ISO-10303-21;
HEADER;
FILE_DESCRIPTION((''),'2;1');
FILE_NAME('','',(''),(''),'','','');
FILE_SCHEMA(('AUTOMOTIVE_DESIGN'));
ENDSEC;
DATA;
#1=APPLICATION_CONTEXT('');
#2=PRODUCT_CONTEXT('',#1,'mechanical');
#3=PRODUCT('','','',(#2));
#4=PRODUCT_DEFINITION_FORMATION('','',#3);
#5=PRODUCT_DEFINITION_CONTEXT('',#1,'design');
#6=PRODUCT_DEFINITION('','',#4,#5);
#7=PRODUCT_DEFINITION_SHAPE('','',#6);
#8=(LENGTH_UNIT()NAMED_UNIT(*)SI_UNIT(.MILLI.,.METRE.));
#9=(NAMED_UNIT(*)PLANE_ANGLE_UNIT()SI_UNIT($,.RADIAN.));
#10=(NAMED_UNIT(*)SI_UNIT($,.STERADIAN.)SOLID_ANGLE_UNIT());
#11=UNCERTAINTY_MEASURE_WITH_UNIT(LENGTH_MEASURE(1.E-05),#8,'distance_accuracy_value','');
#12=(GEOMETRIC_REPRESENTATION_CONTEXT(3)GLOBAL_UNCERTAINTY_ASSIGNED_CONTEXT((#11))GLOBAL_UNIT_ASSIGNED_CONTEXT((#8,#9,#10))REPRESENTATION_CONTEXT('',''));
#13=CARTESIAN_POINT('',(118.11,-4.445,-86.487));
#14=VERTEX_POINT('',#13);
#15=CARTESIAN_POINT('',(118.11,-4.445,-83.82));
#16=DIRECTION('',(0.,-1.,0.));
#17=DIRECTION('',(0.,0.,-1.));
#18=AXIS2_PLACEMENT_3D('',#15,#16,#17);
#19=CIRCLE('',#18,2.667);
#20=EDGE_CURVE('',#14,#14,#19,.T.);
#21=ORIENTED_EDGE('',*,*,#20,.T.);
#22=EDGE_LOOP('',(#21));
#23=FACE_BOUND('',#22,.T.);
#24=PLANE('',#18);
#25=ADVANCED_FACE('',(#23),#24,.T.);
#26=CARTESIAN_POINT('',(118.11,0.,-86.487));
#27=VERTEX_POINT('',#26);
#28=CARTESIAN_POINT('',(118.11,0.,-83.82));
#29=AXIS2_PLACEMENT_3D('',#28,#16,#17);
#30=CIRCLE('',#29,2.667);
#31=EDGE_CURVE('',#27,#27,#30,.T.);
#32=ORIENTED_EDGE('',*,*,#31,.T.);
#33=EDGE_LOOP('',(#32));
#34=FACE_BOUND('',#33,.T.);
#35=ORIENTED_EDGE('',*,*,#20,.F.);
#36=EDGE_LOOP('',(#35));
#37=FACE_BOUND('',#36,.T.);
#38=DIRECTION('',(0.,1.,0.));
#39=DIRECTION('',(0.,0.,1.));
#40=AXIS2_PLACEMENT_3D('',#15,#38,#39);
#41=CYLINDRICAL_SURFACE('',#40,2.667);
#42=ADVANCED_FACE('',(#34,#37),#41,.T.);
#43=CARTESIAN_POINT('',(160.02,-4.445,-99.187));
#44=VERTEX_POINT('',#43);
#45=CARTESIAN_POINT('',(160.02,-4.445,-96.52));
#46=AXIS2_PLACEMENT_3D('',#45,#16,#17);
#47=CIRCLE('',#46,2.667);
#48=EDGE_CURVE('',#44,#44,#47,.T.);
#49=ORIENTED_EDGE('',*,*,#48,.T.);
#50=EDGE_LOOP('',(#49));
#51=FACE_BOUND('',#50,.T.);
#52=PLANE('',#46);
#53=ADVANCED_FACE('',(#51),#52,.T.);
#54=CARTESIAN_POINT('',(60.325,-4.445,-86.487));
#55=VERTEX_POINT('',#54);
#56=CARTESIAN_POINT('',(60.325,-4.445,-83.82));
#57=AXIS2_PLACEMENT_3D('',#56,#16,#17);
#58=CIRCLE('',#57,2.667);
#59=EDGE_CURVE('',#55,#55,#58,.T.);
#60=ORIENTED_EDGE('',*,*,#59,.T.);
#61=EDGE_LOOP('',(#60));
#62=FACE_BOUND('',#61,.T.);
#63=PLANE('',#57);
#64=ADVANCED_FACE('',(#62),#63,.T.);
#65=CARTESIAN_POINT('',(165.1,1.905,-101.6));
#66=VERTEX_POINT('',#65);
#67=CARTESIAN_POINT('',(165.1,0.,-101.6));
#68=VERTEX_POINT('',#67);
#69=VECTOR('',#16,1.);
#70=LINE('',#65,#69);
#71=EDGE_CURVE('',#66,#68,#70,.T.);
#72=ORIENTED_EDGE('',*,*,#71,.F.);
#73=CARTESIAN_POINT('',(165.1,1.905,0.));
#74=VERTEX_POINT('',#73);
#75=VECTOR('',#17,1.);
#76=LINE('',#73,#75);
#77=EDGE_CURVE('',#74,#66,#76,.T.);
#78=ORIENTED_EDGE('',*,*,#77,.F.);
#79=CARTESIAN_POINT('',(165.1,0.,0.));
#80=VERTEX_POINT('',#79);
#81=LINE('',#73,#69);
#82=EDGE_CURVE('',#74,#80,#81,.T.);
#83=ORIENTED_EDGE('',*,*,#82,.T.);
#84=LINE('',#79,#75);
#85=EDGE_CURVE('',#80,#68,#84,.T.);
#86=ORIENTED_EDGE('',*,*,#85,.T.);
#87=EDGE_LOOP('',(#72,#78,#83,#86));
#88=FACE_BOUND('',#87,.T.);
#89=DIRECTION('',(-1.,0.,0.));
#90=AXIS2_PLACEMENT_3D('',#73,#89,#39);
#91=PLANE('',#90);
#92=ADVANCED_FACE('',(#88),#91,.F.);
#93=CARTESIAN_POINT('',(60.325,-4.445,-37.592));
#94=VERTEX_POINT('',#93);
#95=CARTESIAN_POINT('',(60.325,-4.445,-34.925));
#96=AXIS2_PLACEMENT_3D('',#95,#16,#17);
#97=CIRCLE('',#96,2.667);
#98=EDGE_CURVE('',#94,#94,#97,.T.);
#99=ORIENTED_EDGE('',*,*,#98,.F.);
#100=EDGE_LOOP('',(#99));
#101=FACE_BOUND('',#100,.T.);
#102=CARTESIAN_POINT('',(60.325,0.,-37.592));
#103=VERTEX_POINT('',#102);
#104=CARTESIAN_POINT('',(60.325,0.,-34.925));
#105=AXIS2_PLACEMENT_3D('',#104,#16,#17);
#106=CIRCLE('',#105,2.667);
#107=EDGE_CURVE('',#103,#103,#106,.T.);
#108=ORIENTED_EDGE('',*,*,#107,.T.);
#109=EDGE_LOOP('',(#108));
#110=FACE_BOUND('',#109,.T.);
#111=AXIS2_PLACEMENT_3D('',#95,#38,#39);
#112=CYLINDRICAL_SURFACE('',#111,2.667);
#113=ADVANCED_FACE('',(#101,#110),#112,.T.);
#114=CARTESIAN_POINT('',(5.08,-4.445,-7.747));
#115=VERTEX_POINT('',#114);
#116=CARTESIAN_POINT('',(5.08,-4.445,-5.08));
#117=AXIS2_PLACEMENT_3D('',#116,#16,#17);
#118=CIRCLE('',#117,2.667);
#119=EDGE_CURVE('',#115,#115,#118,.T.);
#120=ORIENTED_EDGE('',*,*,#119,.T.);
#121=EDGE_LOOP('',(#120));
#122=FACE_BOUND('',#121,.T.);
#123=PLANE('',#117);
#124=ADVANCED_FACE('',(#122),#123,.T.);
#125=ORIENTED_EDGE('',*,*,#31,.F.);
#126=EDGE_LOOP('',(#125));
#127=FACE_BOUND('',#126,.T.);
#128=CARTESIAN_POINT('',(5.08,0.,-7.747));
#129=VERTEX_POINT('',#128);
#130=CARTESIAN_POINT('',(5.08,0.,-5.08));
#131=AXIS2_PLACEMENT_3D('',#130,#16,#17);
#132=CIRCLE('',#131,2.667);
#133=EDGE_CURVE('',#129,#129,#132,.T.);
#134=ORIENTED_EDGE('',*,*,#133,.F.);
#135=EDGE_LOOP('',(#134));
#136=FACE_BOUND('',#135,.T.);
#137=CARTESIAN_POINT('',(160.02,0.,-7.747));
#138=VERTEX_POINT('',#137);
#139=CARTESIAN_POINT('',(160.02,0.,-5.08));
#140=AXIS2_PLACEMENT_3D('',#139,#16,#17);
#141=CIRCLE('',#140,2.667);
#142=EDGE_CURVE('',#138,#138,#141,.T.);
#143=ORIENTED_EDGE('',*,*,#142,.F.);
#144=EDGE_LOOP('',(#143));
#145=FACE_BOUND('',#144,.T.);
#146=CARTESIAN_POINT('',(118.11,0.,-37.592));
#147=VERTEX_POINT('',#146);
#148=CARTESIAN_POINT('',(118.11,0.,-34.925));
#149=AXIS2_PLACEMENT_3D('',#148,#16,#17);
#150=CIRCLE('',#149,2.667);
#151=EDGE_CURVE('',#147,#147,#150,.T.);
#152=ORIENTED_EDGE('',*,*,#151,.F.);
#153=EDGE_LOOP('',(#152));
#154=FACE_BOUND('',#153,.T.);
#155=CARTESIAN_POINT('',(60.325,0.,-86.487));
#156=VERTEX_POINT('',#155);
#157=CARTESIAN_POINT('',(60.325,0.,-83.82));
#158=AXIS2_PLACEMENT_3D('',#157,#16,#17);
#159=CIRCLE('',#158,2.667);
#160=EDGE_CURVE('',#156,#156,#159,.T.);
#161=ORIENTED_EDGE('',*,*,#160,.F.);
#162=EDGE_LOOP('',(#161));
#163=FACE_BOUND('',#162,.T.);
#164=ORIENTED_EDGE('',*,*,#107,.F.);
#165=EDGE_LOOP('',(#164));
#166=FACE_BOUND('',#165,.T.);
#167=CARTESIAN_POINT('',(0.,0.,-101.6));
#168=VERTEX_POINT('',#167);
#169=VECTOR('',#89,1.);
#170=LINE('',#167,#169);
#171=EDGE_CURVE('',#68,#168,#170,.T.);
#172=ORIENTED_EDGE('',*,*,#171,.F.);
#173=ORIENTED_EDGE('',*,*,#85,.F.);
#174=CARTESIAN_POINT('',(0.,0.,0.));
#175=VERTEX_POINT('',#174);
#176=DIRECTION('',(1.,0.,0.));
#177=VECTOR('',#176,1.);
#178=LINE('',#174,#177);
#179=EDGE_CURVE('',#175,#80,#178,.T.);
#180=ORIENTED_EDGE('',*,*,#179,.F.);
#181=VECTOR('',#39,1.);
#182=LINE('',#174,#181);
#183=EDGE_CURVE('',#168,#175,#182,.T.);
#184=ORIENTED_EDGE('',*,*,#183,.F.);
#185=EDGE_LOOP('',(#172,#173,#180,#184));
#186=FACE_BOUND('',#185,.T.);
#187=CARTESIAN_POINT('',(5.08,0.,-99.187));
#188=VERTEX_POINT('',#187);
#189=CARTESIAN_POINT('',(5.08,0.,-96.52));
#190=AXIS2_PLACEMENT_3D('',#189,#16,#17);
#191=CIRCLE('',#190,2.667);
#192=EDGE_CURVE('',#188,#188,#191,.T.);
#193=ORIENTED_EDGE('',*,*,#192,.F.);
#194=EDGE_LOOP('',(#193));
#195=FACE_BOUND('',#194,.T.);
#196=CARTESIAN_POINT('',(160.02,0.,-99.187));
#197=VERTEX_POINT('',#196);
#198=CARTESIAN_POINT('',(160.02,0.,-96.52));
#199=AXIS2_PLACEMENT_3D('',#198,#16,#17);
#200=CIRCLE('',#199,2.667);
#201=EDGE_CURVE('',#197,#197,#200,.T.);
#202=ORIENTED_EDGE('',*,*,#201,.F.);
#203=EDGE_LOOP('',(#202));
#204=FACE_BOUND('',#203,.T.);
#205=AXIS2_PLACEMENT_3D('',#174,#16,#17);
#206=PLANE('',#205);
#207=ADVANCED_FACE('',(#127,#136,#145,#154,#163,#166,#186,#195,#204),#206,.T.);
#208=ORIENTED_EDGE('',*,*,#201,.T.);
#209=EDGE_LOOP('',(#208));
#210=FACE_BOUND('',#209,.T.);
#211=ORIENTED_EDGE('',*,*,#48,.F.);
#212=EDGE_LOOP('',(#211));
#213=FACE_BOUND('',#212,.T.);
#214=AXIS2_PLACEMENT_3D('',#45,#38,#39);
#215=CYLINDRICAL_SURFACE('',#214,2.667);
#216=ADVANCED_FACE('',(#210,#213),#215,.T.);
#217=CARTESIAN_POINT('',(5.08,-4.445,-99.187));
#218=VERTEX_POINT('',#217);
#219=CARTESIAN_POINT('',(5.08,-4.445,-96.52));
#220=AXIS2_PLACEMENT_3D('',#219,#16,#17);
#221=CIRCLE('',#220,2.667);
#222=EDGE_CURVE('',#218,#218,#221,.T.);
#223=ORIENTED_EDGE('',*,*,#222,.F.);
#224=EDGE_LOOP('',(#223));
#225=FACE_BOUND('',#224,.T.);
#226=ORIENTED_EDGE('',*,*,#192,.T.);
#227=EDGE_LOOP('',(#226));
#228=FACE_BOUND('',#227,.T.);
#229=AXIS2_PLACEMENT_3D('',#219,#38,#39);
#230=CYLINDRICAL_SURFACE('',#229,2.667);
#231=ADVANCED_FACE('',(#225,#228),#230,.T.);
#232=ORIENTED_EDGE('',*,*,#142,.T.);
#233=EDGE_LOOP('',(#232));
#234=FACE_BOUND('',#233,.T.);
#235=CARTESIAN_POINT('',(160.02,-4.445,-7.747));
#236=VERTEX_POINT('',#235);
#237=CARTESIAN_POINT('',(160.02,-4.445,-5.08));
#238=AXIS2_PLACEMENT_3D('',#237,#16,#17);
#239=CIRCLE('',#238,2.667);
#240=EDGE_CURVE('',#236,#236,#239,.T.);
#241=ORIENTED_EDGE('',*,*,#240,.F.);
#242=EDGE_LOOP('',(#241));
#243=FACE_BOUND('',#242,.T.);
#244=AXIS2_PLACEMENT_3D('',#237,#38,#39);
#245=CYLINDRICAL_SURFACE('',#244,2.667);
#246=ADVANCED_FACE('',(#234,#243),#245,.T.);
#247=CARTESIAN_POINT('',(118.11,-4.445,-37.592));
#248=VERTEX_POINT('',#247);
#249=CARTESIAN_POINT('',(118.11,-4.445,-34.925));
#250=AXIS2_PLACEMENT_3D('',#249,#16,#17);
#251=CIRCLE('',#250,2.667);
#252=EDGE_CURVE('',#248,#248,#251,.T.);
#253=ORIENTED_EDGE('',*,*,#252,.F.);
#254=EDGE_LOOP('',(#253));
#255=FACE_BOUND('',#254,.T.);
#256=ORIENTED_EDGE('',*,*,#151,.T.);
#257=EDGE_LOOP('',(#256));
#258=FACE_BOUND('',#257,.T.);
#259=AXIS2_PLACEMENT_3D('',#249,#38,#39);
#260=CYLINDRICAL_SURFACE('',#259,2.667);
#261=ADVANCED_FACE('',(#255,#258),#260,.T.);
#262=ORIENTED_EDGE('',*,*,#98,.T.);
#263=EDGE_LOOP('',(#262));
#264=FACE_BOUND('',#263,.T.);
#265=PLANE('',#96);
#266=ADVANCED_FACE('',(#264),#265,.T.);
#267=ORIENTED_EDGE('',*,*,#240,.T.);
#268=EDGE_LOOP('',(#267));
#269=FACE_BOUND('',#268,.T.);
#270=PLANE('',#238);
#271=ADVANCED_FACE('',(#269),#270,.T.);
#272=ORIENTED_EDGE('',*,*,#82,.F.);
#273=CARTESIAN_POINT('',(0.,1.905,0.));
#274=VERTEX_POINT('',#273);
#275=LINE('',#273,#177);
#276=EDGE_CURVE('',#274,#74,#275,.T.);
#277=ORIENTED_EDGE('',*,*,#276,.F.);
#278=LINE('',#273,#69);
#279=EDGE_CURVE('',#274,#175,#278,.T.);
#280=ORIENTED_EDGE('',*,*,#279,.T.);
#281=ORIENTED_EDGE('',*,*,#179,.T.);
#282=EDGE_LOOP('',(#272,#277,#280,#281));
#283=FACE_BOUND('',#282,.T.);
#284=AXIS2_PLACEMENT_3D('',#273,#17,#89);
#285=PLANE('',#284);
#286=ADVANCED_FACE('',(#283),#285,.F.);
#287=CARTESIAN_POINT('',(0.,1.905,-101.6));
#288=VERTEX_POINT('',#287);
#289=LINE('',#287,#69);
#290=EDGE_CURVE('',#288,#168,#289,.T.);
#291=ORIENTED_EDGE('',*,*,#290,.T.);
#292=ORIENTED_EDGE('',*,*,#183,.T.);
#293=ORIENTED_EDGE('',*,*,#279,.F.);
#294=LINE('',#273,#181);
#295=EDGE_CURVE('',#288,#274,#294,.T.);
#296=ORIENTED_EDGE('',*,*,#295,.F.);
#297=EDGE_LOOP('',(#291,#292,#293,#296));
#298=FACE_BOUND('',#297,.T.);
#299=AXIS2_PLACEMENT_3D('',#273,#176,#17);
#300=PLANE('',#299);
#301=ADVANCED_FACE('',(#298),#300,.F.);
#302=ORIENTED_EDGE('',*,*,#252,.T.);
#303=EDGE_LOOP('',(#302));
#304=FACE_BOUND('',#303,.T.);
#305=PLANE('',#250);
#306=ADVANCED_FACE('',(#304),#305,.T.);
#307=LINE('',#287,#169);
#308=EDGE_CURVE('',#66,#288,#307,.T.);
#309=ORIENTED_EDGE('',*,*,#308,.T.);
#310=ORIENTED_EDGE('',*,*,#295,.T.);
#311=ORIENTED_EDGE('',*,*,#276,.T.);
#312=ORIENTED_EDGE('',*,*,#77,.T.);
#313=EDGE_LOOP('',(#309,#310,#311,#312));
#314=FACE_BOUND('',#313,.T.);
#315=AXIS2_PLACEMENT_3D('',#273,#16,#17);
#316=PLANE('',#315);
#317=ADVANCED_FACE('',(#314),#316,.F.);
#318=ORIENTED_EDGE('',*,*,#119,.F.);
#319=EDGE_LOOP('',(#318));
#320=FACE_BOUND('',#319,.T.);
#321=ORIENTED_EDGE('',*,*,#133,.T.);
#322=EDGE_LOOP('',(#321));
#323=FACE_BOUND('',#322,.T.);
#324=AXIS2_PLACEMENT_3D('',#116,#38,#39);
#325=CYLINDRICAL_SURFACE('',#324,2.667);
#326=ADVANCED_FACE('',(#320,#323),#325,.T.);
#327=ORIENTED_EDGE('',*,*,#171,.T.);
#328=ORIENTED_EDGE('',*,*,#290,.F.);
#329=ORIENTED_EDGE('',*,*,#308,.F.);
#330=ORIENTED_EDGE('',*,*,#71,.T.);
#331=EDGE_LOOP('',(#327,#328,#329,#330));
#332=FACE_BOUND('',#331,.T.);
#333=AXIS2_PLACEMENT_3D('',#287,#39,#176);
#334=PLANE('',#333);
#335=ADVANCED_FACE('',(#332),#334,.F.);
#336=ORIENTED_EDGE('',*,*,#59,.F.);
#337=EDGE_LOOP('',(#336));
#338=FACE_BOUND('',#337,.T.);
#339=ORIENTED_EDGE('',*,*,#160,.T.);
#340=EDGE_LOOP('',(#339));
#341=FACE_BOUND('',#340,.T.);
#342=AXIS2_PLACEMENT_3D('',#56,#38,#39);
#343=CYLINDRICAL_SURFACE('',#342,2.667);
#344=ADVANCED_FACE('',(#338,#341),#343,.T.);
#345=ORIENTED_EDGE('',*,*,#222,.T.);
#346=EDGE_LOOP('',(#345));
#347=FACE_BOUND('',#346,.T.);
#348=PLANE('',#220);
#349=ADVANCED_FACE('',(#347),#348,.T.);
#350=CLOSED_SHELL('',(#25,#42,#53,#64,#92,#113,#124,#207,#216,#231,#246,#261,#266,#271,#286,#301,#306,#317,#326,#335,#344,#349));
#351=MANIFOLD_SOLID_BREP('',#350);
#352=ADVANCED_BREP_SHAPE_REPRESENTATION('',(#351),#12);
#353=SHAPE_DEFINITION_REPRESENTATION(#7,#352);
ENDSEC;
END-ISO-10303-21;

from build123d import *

# Parameters (mm, degrees)
SKETCH1_W           = 165.1
SKETCH1_H           = 101.6
BOSS_EXTRUDE1_DEPTH = 1.905
SKETCH3_R           = 2.667
BOSS_EXTRUDE2_DEPTH = 4.445


with BuildPart() as part:
    # Sketch1 → Boss-Extrude1 (new body)
    with BuildSketch(Plane(origin=(0, 0, 0), x_dir=(1, 0, 0), z_dir=(0, 1, 0))):
        with Locations((82.55, 50.8)):
            Rectangle(SKETCH1_W, SKETCH1_H)
    extrude(amount=BOSS_EXTRUDE1_DEPTH)

    # Sketch3 → Boss-Extrude2 (add)
    with BuildSketch(Plane.XZ):
        with Locations(Location((5.08, -96.52, 0), (0, 0, 270))):
            Circle(SKETCH3_R)
        with Locations(Location((5.08, -5.08, 0), (0, 0, 270))):
            Circle(SKETCH3_R)
        with Locations(Location((160.02, -5.08, 0), (0, 0, 270))):
            Circle(SKETCH3_R)
        with Locations(Location((160.02, -96.52, 0), (0, 0, 270))):
            Circle(SKETCH3_R)
        with Locations(Location((118.11, -83.82, 0), (0, 0, 270))):
            Circle(SKETCH3_R)
        with Locations(Location((60.325, -83.82, 0), (0, 0, 270))):
            Circle(SKETCH3_R)
        with Locations(Location((60.325, -34.925, 0), (0, 0, 270))):
            Circle(SKETCH3_R)
        with Locations(Location((118.11, -34.925, 0), (0, 0, 270))):
            Circle(SKETCH3_R)
    extrude(amount=BOSS_EXTRUDE2_DEPTH)


solid = part.part
